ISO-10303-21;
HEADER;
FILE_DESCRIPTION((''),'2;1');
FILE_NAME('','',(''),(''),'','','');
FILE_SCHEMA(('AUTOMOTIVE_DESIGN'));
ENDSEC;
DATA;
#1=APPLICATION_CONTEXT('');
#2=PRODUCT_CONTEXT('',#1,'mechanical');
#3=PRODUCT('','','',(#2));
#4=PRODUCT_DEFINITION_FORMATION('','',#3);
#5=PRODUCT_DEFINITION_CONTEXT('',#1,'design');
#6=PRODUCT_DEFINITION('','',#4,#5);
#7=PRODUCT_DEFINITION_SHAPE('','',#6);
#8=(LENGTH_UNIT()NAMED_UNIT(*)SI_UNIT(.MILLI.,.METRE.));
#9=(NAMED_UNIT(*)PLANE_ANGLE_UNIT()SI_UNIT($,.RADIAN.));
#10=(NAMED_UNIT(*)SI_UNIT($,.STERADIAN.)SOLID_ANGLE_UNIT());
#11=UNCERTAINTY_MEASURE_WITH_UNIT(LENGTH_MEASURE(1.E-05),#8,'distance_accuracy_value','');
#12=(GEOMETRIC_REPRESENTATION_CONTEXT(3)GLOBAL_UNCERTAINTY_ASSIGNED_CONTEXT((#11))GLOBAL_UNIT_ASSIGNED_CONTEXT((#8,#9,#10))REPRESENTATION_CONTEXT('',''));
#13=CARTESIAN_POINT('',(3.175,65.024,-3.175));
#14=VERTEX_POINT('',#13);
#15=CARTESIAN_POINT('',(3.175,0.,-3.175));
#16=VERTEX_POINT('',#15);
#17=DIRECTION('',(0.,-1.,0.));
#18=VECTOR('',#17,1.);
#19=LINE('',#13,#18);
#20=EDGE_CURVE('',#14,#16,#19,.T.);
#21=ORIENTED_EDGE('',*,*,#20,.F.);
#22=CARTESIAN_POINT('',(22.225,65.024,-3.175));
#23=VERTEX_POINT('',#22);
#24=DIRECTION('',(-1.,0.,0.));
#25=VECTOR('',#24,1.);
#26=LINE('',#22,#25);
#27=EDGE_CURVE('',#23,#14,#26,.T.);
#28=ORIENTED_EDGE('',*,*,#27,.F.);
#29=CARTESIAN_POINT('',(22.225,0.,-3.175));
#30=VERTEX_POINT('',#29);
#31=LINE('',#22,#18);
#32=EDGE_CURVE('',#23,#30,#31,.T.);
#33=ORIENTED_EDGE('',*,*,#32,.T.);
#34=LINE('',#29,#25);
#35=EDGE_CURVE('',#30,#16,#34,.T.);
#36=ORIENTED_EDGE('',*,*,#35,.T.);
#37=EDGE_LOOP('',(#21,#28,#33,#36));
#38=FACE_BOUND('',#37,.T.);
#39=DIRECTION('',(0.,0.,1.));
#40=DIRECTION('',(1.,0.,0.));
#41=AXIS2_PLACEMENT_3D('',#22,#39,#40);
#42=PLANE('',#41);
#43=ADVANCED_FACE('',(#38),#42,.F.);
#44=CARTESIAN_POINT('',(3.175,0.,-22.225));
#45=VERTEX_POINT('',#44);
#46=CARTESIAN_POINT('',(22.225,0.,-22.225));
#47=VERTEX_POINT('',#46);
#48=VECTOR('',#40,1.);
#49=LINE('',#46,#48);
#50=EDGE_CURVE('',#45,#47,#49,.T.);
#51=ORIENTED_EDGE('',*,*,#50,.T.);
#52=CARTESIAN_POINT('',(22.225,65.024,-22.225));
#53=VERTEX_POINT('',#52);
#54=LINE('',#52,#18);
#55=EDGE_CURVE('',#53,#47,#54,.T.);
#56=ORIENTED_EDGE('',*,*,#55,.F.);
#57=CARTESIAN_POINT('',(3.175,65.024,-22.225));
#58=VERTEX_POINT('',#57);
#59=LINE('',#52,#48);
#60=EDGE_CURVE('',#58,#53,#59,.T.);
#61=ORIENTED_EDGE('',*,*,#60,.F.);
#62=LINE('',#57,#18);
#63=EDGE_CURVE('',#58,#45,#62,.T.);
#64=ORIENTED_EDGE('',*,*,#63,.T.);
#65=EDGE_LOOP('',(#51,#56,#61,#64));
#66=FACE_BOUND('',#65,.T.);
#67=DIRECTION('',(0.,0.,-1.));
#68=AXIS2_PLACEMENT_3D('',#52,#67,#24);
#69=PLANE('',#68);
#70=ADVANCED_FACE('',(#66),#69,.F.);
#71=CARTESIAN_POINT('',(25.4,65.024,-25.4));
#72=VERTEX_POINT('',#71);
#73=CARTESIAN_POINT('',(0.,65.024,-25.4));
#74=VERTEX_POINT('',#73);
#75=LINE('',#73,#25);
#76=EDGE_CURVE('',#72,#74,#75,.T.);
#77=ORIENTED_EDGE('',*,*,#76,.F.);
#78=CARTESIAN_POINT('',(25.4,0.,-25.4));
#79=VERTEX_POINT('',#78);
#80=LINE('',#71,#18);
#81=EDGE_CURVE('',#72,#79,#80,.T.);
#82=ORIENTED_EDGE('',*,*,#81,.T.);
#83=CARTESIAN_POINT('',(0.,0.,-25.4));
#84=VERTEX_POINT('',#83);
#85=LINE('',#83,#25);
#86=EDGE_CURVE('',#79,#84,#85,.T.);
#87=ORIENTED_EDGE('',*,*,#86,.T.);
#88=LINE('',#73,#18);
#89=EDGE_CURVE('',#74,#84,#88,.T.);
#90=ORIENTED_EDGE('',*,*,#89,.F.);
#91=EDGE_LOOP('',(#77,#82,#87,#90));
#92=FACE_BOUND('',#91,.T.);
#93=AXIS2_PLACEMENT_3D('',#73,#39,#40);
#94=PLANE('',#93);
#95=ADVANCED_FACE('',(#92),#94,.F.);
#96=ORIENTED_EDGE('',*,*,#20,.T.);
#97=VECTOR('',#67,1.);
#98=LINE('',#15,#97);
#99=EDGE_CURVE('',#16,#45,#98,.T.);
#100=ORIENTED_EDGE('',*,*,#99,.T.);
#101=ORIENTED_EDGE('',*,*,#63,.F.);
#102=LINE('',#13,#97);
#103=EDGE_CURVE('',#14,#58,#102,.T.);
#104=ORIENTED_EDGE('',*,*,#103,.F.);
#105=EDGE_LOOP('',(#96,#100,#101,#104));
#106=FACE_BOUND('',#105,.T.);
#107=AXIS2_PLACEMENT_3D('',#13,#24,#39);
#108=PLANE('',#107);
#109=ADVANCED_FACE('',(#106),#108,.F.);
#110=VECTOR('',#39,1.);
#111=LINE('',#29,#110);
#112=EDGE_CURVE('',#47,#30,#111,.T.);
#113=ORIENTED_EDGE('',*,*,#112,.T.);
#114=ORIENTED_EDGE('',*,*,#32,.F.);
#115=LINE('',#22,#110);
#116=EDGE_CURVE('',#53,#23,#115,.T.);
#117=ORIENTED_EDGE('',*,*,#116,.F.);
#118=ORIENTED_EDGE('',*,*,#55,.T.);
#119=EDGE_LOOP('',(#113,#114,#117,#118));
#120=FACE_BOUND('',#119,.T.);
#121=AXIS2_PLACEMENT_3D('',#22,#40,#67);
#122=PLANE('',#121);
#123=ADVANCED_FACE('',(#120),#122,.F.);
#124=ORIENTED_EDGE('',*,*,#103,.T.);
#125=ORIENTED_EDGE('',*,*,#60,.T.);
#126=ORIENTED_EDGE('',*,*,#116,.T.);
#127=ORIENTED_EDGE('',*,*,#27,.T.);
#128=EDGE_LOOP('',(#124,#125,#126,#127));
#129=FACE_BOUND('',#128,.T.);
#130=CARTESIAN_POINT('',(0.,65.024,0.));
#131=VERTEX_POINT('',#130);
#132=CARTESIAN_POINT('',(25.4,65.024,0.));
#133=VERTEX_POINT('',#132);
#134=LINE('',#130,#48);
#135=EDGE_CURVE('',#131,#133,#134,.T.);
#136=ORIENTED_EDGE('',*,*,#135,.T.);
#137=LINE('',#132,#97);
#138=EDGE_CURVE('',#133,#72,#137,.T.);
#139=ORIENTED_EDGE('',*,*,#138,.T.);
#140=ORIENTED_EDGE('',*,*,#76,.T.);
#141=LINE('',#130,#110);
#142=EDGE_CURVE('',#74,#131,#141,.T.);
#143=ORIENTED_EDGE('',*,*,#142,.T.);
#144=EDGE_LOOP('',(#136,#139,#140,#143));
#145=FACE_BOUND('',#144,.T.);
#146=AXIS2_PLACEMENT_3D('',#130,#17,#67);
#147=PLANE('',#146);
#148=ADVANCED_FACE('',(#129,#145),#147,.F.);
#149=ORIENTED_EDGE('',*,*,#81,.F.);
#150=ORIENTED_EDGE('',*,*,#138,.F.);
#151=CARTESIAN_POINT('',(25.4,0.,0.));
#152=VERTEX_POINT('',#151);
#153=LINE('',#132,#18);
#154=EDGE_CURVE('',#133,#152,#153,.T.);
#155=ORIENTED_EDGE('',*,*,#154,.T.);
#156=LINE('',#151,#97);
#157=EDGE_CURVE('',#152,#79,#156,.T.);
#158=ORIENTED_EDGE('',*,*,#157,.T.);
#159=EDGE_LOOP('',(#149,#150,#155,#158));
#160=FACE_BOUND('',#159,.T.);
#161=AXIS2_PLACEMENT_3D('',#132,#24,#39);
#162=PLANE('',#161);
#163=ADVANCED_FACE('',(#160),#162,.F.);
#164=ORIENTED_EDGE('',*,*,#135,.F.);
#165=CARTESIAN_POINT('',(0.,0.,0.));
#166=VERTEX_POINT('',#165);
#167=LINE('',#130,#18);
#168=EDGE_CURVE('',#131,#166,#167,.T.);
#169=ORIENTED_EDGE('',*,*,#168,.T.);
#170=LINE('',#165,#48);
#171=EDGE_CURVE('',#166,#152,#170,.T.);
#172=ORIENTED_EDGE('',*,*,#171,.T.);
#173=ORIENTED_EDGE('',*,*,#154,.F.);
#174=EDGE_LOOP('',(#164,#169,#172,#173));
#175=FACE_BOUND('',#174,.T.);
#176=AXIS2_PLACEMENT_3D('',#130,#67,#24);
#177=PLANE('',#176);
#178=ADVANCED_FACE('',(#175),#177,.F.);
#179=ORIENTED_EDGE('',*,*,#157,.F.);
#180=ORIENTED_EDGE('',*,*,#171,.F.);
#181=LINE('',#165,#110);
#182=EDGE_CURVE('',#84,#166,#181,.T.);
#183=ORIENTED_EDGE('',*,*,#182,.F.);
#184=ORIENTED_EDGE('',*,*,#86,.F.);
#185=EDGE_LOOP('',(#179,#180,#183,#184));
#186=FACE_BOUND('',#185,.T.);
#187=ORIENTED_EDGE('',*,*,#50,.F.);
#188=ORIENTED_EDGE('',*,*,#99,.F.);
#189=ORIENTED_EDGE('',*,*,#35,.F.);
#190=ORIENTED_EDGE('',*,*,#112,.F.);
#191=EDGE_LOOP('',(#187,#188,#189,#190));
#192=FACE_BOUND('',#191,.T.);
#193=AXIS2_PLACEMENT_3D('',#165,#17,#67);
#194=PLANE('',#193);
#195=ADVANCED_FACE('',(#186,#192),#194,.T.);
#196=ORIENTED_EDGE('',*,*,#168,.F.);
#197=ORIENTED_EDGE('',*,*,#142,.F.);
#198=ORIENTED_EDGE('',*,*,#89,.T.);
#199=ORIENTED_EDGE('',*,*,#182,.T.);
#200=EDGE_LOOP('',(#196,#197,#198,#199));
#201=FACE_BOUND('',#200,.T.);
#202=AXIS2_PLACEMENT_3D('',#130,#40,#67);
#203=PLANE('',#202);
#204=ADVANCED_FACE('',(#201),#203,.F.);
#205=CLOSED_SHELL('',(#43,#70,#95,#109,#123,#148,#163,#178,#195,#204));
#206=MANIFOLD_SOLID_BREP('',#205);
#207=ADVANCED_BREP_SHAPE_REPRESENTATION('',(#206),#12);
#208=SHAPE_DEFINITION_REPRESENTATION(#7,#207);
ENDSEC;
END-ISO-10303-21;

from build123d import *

# Parameters (mm, degrees)
SKETCH1_W           = 25.4
SKETCH1_H           = 25.4
BOSS_EXTRUDE1_DEPTH = 65.024
SKETCH4_W           = 19.05
SKETCH4_H           = 19.05
CUT_EXTRUDE2_DEPTH  = 75.286207172


with BuildPart() as part:
    # Sketch1 → Boss-Extrude1 (new body)
    with BuildSketch(Plane(origin=(0, 0, 0), x_dir=(1, 0, 0), z_dir=(0, 1, 0))):
        with Locations((12.7, 12.7)):
            Rectangle(SKETCH1_W, SKETCH1_H)
    extrude(amount=BOSS_EXTRUDE1_DEPTH)

    # Sketch4 → Cut-Extrude2 (cut, through all)
    with BuildSketch(Plane(origin=(0, 0, 0), x_dir=(-1, 0, 0), z_dir=(0, -1, 0))):
        with Locations((-12.7, 12.7)):
            Rectangle(SKETCH4_W, SKETCH4_H)
    extrude(amount=-CUT_EXTRUDE2_DEPTH, mode=Mode.SUBTRACT)


solid = part.part
